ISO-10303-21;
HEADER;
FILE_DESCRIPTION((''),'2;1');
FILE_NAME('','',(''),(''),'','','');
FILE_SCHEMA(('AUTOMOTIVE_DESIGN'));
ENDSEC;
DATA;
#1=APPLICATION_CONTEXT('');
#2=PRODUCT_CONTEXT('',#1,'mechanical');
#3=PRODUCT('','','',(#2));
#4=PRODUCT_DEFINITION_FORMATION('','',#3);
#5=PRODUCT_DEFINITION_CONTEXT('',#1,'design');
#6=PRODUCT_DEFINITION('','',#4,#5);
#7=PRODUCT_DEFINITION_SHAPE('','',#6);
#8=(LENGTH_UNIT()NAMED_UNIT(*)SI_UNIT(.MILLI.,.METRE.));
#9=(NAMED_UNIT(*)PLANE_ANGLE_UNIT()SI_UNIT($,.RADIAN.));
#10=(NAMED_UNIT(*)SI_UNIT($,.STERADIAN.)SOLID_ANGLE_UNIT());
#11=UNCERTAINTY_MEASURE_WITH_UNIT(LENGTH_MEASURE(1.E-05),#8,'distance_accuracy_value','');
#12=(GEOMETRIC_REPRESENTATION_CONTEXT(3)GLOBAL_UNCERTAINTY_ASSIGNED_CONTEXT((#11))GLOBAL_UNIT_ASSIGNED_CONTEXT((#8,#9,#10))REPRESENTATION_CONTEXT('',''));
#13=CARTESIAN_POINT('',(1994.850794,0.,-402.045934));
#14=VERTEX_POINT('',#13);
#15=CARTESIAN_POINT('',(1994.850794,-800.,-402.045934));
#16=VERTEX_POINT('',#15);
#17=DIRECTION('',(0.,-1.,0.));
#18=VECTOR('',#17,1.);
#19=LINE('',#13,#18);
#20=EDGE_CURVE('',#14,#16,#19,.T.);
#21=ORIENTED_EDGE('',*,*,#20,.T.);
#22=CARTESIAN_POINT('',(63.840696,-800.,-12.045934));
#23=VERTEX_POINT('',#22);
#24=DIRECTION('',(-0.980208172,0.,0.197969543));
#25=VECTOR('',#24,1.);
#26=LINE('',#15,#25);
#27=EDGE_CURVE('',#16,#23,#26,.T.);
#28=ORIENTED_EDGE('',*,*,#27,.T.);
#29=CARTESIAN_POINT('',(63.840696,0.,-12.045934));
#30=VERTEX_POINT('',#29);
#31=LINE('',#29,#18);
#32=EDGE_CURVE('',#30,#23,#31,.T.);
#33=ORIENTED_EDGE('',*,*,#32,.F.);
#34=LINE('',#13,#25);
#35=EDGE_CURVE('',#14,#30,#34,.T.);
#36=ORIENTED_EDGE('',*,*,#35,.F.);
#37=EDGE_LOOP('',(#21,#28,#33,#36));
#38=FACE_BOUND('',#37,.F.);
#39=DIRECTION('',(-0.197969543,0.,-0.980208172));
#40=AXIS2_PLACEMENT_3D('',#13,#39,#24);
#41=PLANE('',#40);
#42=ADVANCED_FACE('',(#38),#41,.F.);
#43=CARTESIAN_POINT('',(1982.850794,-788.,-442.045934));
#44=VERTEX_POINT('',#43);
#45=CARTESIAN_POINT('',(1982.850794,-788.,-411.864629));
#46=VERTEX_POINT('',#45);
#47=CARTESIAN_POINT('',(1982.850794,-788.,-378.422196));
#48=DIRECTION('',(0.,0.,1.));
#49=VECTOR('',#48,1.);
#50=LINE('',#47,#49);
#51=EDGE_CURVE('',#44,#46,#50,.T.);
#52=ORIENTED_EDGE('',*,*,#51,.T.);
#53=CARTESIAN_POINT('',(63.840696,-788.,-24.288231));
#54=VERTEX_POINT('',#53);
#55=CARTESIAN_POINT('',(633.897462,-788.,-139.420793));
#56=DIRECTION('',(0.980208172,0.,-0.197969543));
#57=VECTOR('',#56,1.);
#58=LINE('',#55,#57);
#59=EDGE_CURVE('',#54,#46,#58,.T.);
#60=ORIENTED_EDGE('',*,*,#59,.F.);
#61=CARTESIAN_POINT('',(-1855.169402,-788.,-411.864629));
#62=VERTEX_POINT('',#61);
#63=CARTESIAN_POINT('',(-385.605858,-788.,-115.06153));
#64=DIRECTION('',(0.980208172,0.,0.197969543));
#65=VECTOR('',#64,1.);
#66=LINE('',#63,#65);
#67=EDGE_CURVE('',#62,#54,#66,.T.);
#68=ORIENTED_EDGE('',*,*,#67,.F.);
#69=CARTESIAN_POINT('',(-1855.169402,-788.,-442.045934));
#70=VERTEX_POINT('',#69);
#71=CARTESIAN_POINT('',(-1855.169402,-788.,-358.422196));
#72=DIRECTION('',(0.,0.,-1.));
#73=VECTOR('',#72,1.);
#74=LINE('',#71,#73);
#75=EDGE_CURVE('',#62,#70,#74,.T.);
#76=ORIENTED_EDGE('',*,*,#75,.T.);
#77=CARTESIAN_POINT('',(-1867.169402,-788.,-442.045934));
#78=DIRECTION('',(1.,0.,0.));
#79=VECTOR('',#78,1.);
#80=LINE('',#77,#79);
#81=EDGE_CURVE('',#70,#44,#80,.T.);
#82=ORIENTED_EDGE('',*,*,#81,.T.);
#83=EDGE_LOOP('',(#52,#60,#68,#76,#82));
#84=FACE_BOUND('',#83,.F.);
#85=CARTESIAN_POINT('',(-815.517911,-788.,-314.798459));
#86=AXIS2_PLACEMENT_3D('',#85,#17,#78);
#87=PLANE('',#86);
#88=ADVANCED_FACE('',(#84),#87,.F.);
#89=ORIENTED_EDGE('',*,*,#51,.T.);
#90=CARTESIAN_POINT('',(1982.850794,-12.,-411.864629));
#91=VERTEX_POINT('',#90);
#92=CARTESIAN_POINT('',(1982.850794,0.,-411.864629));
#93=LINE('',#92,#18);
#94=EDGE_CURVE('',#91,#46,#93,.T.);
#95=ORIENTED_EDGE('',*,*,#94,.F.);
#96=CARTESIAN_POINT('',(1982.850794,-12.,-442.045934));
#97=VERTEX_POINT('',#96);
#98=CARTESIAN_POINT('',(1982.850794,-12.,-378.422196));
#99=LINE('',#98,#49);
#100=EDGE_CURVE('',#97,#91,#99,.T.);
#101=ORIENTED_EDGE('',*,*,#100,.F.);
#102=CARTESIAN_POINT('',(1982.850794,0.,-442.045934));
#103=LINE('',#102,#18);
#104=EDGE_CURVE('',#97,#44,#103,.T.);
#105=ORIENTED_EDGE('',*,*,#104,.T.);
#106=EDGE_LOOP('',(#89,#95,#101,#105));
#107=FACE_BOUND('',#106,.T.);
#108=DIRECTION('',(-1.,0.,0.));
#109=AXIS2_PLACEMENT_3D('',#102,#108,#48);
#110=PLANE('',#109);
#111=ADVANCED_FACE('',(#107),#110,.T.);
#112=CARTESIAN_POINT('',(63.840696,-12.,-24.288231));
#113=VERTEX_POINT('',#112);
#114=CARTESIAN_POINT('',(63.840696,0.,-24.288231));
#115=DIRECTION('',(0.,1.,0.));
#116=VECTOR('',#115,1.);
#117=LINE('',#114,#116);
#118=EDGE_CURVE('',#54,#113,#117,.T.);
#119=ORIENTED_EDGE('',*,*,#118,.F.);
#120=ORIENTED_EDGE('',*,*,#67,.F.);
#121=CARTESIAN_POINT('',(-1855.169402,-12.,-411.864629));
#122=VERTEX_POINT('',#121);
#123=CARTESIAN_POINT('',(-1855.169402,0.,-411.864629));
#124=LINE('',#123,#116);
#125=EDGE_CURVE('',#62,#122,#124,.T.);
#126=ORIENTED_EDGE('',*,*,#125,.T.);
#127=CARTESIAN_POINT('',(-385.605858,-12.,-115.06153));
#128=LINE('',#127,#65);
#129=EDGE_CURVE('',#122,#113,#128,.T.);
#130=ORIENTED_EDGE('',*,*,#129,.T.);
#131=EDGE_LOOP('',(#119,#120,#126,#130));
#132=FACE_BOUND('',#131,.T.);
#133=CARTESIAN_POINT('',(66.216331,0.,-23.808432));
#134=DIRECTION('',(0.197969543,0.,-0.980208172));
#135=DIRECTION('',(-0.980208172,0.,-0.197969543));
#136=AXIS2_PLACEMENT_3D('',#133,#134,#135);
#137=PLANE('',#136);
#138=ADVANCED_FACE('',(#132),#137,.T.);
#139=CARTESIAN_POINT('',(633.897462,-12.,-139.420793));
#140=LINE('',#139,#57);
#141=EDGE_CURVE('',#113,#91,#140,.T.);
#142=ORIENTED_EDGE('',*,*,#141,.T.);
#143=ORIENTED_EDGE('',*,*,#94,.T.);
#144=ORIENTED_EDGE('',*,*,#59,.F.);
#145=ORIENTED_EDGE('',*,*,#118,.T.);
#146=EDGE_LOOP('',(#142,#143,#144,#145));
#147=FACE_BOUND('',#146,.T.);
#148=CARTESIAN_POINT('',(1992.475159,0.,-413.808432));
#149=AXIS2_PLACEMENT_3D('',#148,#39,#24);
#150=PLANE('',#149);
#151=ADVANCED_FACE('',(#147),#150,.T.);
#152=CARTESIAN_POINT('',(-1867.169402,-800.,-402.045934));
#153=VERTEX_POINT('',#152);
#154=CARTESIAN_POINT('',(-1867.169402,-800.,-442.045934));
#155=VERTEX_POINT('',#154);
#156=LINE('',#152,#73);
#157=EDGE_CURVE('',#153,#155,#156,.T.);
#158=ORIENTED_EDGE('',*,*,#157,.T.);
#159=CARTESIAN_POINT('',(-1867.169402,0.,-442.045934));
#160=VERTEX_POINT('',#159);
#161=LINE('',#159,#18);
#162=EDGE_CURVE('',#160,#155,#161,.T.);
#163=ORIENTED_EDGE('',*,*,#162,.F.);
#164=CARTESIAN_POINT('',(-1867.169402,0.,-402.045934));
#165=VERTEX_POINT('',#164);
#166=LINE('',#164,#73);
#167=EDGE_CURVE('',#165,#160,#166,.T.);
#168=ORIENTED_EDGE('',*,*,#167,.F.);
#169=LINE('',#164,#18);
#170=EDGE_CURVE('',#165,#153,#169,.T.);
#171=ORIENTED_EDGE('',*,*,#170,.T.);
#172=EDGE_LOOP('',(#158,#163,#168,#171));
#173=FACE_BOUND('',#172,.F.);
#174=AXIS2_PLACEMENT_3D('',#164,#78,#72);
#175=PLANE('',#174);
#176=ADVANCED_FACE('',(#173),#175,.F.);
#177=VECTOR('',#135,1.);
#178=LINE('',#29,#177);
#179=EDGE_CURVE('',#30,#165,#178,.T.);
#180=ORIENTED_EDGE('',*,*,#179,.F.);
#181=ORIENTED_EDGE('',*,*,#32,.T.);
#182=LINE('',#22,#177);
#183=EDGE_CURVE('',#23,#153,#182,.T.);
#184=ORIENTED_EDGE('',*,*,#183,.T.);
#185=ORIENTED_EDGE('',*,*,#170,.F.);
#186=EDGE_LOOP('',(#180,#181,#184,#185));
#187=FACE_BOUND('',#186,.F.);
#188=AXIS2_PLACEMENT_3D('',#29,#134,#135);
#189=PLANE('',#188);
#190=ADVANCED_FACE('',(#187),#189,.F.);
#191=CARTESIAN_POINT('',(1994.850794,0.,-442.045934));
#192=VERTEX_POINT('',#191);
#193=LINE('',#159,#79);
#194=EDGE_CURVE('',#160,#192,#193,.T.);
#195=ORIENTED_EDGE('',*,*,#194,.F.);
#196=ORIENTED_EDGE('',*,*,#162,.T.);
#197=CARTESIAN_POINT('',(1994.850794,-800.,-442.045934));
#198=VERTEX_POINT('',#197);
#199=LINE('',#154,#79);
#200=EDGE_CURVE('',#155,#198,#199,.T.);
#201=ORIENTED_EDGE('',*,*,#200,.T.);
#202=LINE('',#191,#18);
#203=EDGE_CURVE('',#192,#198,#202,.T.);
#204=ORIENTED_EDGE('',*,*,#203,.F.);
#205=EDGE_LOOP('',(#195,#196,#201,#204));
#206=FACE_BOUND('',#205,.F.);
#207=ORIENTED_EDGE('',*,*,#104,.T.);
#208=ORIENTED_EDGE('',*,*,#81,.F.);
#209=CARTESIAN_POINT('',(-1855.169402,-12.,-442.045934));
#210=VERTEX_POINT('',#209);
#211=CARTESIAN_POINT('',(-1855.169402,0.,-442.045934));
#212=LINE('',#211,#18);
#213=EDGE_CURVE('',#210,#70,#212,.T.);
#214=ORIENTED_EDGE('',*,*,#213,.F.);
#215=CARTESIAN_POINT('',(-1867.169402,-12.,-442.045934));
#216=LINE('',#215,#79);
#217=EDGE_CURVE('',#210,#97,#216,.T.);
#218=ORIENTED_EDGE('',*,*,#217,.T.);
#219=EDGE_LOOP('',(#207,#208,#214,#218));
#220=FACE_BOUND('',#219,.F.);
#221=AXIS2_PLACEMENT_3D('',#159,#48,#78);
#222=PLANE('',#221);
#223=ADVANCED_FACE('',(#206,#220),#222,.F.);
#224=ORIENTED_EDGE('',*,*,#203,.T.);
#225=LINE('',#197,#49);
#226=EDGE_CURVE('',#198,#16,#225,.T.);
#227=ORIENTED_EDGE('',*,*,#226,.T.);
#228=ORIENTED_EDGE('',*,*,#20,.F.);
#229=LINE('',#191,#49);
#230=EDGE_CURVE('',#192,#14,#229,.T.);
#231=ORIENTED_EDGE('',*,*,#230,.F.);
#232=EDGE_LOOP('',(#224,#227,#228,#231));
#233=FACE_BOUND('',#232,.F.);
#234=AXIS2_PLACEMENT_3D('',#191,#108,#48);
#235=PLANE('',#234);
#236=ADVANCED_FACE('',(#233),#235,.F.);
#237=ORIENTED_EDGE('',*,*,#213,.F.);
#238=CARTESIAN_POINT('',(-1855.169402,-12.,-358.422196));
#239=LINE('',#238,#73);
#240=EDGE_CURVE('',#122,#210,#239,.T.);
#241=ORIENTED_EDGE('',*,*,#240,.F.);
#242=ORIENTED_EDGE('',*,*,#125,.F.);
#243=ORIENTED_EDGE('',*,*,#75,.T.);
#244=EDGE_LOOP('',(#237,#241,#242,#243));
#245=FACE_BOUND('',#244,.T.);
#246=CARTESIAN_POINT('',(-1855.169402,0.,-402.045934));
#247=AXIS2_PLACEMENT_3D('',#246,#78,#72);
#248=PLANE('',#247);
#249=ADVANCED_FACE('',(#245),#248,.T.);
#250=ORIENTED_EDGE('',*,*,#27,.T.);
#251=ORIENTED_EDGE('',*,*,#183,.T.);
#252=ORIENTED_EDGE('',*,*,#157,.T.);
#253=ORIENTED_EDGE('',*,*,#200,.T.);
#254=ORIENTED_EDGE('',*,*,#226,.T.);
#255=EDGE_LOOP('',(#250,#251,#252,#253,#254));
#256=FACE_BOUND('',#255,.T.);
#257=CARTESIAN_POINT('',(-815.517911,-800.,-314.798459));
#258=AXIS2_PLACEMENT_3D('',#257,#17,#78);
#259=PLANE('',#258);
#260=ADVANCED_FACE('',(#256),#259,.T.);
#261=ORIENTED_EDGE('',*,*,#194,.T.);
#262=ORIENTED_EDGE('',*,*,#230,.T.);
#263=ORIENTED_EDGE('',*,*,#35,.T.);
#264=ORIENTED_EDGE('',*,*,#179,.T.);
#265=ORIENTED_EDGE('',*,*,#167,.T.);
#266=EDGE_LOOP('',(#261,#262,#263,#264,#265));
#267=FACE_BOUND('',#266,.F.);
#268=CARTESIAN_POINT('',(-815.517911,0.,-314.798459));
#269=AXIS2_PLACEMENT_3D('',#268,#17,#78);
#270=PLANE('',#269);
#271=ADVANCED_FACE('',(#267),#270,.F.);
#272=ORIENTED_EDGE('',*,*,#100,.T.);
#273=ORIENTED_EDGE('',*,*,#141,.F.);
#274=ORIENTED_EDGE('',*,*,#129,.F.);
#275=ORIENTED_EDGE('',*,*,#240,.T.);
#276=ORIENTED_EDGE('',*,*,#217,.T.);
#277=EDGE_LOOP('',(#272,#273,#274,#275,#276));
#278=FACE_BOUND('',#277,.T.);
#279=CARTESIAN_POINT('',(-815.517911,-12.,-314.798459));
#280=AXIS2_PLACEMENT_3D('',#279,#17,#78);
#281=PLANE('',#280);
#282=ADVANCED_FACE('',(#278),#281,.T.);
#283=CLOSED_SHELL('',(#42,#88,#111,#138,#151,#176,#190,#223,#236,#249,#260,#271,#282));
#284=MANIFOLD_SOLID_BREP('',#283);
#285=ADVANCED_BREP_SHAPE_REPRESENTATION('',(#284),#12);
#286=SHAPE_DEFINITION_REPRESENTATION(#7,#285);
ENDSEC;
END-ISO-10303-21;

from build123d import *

# Parameters (mm, degrees)
F1_DEPTH = 800
F2_T     = -12


with BuildPart() as f1:
    # F0 (on Front) → F1 (new body)
    with BuildSketch(Plane.XZ):
        Polygon((63.840696, -442.045934), (63.840696, -12.045934), (-1867.169402, -402.045934), (-1867.169402, -442.045934), align=None)
        Polygon((1994.850794, -402.045934), (63.840696, -12.045934), (63.840696, -442.045934), (1994.850794, -442.045934), align=None)
    extrude(amount=F1_DEPTH)

    # F2
    f2_openings = [f1.faces().sort_by_distance(p)[0] for p in [
        (63.840696, -400, -442.045934),
    ]]
    offset(amount=F2_T, openings=f2_openings)


solid = f1.part
